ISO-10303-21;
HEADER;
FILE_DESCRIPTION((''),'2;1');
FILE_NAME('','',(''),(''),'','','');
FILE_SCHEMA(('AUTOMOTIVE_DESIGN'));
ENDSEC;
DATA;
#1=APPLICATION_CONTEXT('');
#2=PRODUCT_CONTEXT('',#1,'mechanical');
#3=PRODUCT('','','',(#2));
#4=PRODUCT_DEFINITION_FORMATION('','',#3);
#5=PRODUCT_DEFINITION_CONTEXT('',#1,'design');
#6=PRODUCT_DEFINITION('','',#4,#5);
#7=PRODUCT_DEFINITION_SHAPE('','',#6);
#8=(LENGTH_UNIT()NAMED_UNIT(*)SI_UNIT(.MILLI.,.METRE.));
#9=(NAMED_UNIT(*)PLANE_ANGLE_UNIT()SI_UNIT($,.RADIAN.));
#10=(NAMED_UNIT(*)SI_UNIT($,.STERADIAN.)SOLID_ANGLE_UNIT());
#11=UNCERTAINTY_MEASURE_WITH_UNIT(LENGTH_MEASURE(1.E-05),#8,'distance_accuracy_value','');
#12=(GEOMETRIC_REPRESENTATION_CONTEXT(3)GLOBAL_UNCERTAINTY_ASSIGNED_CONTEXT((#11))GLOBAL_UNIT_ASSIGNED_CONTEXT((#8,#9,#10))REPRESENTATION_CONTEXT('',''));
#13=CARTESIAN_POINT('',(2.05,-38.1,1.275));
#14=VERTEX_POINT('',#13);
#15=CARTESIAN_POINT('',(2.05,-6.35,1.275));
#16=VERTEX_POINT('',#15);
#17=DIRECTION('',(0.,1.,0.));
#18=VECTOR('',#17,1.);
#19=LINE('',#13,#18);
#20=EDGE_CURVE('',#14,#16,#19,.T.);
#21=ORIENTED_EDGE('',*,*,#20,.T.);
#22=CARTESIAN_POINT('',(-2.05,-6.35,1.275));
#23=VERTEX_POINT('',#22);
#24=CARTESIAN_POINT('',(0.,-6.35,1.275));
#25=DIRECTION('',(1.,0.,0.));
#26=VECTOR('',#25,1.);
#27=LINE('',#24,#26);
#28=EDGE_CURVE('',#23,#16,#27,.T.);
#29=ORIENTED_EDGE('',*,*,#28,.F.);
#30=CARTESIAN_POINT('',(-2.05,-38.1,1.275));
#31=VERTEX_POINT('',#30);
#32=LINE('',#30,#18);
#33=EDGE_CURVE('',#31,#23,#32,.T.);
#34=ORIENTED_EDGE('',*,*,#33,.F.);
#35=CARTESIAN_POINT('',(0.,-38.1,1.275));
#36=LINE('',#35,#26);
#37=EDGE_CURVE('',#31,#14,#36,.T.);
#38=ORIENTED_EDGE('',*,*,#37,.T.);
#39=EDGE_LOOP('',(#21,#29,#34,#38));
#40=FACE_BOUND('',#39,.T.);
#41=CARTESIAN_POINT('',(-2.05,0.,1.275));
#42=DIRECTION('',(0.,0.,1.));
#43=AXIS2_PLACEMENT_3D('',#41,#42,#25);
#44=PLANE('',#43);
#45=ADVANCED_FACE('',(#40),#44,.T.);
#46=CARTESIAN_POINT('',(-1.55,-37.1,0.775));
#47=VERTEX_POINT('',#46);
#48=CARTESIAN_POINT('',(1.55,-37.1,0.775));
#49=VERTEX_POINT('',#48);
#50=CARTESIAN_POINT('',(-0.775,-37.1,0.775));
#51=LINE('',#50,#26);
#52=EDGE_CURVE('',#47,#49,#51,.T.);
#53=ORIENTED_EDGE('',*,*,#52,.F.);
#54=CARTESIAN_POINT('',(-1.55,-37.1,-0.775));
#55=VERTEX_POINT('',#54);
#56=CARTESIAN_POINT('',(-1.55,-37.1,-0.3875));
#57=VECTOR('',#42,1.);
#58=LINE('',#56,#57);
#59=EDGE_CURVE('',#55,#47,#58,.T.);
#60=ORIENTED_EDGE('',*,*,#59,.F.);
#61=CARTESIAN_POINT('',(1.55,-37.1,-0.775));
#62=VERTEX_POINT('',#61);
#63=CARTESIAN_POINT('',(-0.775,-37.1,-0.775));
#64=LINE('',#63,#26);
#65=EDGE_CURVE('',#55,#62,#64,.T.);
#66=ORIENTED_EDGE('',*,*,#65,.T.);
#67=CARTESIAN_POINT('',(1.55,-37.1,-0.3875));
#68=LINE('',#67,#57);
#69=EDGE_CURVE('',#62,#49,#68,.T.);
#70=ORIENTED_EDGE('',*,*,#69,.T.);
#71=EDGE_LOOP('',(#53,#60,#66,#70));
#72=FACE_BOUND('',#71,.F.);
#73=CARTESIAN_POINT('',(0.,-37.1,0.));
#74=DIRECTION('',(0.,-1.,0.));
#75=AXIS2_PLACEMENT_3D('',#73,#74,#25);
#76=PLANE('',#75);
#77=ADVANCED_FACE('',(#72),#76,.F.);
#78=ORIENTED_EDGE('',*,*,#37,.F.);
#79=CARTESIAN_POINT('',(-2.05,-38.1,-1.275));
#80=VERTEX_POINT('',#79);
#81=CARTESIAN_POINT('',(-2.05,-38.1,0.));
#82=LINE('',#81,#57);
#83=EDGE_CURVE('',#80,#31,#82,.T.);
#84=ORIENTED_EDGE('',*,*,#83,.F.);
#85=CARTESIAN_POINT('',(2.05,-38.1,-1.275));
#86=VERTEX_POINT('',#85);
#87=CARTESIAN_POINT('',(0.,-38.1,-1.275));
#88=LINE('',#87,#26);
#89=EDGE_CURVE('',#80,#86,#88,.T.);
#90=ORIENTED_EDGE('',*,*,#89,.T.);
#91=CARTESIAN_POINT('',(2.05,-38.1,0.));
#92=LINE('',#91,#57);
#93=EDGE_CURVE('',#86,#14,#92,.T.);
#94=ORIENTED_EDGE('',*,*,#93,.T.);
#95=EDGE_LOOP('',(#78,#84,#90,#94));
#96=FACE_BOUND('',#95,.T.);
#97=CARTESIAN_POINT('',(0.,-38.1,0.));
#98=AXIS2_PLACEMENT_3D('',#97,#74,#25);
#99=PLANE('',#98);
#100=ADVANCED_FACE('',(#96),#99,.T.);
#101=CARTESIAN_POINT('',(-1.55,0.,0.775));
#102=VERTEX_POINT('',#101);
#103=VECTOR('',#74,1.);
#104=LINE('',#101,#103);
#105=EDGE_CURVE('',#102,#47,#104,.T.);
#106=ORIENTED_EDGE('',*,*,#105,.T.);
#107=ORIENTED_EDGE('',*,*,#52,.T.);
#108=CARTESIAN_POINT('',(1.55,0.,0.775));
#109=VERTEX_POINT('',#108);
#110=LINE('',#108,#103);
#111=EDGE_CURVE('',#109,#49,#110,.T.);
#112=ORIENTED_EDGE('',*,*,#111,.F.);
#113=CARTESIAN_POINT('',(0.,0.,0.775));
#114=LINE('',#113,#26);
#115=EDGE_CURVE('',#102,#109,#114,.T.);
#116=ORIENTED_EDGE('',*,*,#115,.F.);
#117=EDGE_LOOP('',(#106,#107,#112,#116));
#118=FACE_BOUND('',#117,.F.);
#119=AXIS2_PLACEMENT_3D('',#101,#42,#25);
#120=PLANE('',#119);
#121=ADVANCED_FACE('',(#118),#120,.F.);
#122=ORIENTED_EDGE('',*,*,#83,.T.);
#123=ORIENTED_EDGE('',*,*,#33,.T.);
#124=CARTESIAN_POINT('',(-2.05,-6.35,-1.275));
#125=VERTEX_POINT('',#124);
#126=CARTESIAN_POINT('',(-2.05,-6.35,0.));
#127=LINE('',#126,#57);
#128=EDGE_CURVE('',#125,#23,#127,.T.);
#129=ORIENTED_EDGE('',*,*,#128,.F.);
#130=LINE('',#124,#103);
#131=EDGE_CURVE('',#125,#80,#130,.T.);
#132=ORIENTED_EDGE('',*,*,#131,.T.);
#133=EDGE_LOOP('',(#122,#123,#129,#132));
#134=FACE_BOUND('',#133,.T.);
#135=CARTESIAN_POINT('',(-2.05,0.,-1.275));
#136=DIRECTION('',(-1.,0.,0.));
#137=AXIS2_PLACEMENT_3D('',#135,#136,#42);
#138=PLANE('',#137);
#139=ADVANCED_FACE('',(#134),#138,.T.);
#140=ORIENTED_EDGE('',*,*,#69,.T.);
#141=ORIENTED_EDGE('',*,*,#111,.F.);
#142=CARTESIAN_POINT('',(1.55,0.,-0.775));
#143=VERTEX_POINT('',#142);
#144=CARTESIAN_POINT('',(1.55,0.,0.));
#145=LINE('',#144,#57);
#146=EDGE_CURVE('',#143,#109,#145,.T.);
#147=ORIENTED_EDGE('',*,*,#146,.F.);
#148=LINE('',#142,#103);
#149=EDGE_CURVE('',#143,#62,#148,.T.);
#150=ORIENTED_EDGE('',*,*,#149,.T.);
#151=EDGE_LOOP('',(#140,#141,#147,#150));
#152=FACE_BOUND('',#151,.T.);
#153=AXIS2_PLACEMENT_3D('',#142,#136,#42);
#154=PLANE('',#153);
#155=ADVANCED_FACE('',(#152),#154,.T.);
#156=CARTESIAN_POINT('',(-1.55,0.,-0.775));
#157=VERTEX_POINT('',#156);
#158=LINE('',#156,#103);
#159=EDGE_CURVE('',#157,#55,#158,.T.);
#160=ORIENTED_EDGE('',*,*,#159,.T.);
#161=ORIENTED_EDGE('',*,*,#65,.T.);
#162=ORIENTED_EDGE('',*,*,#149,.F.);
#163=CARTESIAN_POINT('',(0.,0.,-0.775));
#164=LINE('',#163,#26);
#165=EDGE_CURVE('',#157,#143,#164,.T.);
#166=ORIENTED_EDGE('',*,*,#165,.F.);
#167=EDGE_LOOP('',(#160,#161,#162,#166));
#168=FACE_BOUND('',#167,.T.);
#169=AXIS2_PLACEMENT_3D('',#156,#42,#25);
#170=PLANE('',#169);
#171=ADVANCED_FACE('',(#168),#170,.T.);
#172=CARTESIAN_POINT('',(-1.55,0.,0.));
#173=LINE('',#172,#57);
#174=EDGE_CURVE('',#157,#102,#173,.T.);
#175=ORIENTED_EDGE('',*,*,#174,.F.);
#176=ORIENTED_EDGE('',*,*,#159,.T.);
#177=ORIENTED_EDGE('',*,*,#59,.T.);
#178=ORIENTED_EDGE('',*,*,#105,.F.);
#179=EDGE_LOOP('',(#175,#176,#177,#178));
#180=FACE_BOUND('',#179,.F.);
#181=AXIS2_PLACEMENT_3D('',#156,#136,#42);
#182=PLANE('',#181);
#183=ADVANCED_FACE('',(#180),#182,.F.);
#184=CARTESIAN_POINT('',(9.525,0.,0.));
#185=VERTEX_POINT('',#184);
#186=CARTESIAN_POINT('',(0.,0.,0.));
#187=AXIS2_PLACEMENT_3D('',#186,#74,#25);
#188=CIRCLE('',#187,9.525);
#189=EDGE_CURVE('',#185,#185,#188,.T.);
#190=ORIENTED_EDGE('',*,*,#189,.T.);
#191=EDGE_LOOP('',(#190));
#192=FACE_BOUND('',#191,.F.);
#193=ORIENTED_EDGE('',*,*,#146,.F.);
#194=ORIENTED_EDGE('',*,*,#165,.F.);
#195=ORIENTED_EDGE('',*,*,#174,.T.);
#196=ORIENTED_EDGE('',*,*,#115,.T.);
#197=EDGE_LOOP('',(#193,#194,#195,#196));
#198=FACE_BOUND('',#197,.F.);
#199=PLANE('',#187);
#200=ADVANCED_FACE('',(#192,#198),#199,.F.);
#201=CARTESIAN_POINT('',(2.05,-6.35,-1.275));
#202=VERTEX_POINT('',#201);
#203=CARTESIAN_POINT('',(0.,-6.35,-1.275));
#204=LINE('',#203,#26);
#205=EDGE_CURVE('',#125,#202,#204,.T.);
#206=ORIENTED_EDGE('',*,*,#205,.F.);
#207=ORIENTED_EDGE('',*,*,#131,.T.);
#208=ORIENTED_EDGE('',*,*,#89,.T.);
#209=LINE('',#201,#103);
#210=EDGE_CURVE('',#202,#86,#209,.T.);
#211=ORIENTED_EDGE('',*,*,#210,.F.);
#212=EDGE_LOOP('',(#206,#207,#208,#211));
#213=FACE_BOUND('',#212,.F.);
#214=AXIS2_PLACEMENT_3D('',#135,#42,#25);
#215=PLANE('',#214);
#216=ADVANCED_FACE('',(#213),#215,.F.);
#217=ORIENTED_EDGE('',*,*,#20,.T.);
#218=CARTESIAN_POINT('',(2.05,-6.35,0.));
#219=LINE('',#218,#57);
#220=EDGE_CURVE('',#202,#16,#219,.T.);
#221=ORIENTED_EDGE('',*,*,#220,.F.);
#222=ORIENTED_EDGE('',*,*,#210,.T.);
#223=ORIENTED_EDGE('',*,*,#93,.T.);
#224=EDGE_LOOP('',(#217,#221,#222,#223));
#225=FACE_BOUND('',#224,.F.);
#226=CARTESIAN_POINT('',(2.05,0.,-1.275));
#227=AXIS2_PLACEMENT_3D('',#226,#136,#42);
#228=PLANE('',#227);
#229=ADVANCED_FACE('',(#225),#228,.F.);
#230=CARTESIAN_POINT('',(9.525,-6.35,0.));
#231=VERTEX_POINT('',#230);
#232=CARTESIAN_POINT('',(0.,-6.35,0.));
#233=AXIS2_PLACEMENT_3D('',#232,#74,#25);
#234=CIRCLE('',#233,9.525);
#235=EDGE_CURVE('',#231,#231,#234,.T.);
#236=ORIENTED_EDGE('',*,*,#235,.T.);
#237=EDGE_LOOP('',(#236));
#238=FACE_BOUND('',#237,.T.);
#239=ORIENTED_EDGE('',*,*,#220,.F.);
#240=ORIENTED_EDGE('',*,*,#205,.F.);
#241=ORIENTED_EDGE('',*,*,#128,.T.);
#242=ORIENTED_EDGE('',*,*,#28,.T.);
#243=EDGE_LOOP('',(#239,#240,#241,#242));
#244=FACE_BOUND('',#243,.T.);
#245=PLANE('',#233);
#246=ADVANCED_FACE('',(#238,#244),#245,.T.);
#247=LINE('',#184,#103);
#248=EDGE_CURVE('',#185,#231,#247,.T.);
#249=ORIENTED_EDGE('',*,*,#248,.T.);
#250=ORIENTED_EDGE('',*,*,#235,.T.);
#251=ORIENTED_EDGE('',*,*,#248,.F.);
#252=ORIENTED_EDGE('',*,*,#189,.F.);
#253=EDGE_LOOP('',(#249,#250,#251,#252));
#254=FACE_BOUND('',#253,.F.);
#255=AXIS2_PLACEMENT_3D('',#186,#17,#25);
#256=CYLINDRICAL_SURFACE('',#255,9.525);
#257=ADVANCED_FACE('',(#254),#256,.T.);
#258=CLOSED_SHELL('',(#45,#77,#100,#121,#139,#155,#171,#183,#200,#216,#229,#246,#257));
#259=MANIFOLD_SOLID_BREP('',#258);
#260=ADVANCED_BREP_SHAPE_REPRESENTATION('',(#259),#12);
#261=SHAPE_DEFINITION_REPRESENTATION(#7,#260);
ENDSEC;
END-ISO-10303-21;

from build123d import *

# Parameters (mm, degrees)
F0_W     = 4.1
F0_H     = 2.55
F0_W_2   = 3.1
F0_H_2   = 1.55
F1_DEPTH = 38.1
F0_R     = 9.525
F2_DEPTH = 6.35
F3_W     = 4.1
F3_H     = 2.55
F3_W_2   = 3.1
F3_H_2   = 1.55
F4_DEPTH = 1


with BuildPart() as f1:
    # F0 (on Front) → F1 (new body)
    with BuildSketch(Plane.XZ):
        Rectangle(F0_W, F0_H)
        Rectangle(F0_W_2, F0_H_2, mode=Mode.SUBTRACT)
    extrude(amount=F1_DEPTH)

    # F0 (on Front) → F2 (join)
    with BuildSketch(Plane.XZ):
        Circle(F0_R)
        Rectangle(F0_W, F0_H, mode=Mode.SUBTRACT)
    extrude(amount=F2_DEPTH)

    # F3 (on face) → F4 (join)
    with BuildSketch(Plane.XZ.offset(38.1)):
        Rectangle(F3_W, F3_H)
        Rectangle(F3_W_2, F3_H_2, mode=Mode.SUBTRACT)
        Rectangle(F3_W_2, F3_H_2)
    extrude(amount=-F4_DEPTH)


solid = f1.part
